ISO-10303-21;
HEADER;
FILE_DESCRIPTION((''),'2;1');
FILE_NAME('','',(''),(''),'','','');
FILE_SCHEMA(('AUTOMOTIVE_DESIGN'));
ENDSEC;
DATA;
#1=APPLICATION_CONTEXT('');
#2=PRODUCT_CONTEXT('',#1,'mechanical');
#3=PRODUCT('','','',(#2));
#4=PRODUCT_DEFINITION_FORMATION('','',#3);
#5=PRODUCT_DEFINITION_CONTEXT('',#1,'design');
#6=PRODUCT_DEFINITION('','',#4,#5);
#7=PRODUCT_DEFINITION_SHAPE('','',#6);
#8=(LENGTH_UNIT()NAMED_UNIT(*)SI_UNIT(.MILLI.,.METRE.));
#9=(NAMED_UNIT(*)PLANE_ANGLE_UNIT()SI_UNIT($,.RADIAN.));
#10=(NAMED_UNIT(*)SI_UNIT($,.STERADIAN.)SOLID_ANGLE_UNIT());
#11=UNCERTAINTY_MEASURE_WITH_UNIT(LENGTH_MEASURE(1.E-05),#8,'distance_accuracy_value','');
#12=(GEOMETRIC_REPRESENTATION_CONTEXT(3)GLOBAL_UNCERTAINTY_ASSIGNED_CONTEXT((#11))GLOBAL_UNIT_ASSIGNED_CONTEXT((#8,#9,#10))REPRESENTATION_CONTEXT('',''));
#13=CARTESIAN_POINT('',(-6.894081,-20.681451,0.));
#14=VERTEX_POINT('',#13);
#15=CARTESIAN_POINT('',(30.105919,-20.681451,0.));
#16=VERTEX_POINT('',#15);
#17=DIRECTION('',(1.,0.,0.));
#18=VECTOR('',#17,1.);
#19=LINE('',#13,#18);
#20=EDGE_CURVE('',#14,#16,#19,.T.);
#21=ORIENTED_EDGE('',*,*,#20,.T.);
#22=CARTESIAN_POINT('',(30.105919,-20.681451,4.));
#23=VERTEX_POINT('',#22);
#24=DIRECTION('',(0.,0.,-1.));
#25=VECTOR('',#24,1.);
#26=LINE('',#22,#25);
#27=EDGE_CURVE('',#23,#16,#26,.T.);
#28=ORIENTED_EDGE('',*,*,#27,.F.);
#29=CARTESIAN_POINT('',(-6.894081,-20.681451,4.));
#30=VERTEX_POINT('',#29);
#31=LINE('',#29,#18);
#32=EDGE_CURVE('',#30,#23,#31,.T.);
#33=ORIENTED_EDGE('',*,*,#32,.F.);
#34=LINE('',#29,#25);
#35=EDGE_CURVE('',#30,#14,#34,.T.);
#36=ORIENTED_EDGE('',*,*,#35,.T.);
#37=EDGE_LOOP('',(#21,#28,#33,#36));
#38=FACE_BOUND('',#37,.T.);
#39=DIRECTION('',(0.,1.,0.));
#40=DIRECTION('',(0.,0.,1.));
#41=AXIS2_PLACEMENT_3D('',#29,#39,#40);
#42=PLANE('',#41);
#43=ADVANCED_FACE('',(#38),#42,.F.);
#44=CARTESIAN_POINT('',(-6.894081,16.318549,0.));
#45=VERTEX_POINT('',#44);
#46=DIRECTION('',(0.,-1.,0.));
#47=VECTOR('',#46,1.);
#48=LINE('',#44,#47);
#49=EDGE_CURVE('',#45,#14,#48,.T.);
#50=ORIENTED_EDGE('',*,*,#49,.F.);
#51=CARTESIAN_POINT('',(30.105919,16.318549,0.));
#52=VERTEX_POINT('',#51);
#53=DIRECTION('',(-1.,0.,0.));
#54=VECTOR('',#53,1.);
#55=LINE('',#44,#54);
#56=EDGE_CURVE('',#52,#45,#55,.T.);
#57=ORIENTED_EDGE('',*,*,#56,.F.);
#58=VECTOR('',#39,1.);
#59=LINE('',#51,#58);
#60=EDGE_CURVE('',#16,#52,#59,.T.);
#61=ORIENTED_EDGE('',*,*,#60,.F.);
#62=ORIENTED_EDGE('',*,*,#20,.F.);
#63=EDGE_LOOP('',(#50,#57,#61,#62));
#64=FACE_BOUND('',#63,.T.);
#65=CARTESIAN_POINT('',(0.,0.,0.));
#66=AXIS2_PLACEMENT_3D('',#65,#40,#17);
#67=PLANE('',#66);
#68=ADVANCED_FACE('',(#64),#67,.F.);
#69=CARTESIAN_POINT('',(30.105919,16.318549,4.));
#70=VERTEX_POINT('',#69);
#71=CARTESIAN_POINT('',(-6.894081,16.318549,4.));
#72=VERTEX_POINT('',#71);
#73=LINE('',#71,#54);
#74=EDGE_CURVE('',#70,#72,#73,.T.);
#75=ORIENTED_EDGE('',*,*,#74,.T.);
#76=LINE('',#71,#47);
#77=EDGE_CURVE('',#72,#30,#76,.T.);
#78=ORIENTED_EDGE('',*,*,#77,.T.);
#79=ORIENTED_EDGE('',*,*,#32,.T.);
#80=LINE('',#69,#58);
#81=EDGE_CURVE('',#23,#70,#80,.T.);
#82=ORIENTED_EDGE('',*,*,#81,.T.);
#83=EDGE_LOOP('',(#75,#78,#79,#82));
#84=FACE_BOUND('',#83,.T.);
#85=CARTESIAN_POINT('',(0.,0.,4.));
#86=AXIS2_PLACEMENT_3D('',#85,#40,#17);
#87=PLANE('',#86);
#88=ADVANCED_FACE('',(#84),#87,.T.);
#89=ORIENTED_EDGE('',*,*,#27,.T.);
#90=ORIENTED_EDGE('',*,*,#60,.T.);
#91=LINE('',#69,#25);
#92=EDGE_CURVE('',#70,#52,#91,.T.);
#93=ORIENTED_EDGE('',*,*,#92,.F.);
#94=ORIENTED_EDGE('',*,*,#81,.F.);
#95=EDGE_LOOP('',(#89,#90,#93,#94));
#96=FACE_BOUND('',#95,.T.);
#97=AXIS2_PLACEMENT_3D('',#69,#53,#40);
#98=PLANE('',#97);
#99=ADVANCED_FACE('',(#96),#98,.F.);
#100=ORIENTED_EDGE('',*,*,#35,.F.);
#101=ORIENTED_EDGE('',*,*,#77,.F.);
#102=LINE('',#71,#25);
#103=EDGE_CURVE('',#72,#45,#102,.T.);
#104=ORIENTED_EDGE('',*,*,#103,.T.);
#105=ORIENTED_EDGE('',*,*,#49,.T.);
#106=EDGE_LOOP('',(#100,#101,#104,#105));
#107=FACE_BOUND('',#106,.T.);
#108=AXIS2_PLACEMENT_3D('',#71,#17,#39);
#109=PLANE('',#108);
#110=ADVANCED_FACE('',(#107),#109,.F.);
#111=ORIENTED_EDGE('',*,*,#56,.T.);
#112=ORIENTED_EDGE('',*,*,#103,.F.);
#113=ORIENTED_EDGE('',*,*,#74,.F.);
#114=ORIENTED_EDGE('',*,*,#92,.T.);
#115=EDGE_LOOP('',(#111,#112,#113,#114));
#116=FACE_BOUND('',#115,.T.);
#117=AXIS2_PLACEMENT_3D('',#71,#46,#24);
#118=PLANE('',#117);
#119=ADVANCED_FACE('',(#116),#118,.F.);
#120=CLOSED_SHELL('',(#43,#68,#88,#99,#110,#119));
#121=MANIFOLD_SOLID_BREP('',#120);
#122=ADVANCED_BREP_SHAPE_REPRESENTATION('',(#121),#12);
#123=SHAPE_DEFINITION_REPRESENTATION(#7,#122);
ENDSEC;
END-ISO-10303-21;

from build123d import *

# Parameters (mm, degrees)
ESBO_O1_W                = 37
ESBO_O1_H                = 37
RESSALTO_EXTRUS_O1_DEPTH = 4


with BuildPart() as part:
    # Esboço1 → Ressalto-extrusão1 (new body)
    with BuildSketch(Plane.XY):
        with Locations((11.605919231, -2.18145072)):
            Rectangle(ESBO_O1_W, ESBO_O1_H)
    extrude(amount=RESSALTO_EXTRUS_O1_DEPTH)


solid = part.part
